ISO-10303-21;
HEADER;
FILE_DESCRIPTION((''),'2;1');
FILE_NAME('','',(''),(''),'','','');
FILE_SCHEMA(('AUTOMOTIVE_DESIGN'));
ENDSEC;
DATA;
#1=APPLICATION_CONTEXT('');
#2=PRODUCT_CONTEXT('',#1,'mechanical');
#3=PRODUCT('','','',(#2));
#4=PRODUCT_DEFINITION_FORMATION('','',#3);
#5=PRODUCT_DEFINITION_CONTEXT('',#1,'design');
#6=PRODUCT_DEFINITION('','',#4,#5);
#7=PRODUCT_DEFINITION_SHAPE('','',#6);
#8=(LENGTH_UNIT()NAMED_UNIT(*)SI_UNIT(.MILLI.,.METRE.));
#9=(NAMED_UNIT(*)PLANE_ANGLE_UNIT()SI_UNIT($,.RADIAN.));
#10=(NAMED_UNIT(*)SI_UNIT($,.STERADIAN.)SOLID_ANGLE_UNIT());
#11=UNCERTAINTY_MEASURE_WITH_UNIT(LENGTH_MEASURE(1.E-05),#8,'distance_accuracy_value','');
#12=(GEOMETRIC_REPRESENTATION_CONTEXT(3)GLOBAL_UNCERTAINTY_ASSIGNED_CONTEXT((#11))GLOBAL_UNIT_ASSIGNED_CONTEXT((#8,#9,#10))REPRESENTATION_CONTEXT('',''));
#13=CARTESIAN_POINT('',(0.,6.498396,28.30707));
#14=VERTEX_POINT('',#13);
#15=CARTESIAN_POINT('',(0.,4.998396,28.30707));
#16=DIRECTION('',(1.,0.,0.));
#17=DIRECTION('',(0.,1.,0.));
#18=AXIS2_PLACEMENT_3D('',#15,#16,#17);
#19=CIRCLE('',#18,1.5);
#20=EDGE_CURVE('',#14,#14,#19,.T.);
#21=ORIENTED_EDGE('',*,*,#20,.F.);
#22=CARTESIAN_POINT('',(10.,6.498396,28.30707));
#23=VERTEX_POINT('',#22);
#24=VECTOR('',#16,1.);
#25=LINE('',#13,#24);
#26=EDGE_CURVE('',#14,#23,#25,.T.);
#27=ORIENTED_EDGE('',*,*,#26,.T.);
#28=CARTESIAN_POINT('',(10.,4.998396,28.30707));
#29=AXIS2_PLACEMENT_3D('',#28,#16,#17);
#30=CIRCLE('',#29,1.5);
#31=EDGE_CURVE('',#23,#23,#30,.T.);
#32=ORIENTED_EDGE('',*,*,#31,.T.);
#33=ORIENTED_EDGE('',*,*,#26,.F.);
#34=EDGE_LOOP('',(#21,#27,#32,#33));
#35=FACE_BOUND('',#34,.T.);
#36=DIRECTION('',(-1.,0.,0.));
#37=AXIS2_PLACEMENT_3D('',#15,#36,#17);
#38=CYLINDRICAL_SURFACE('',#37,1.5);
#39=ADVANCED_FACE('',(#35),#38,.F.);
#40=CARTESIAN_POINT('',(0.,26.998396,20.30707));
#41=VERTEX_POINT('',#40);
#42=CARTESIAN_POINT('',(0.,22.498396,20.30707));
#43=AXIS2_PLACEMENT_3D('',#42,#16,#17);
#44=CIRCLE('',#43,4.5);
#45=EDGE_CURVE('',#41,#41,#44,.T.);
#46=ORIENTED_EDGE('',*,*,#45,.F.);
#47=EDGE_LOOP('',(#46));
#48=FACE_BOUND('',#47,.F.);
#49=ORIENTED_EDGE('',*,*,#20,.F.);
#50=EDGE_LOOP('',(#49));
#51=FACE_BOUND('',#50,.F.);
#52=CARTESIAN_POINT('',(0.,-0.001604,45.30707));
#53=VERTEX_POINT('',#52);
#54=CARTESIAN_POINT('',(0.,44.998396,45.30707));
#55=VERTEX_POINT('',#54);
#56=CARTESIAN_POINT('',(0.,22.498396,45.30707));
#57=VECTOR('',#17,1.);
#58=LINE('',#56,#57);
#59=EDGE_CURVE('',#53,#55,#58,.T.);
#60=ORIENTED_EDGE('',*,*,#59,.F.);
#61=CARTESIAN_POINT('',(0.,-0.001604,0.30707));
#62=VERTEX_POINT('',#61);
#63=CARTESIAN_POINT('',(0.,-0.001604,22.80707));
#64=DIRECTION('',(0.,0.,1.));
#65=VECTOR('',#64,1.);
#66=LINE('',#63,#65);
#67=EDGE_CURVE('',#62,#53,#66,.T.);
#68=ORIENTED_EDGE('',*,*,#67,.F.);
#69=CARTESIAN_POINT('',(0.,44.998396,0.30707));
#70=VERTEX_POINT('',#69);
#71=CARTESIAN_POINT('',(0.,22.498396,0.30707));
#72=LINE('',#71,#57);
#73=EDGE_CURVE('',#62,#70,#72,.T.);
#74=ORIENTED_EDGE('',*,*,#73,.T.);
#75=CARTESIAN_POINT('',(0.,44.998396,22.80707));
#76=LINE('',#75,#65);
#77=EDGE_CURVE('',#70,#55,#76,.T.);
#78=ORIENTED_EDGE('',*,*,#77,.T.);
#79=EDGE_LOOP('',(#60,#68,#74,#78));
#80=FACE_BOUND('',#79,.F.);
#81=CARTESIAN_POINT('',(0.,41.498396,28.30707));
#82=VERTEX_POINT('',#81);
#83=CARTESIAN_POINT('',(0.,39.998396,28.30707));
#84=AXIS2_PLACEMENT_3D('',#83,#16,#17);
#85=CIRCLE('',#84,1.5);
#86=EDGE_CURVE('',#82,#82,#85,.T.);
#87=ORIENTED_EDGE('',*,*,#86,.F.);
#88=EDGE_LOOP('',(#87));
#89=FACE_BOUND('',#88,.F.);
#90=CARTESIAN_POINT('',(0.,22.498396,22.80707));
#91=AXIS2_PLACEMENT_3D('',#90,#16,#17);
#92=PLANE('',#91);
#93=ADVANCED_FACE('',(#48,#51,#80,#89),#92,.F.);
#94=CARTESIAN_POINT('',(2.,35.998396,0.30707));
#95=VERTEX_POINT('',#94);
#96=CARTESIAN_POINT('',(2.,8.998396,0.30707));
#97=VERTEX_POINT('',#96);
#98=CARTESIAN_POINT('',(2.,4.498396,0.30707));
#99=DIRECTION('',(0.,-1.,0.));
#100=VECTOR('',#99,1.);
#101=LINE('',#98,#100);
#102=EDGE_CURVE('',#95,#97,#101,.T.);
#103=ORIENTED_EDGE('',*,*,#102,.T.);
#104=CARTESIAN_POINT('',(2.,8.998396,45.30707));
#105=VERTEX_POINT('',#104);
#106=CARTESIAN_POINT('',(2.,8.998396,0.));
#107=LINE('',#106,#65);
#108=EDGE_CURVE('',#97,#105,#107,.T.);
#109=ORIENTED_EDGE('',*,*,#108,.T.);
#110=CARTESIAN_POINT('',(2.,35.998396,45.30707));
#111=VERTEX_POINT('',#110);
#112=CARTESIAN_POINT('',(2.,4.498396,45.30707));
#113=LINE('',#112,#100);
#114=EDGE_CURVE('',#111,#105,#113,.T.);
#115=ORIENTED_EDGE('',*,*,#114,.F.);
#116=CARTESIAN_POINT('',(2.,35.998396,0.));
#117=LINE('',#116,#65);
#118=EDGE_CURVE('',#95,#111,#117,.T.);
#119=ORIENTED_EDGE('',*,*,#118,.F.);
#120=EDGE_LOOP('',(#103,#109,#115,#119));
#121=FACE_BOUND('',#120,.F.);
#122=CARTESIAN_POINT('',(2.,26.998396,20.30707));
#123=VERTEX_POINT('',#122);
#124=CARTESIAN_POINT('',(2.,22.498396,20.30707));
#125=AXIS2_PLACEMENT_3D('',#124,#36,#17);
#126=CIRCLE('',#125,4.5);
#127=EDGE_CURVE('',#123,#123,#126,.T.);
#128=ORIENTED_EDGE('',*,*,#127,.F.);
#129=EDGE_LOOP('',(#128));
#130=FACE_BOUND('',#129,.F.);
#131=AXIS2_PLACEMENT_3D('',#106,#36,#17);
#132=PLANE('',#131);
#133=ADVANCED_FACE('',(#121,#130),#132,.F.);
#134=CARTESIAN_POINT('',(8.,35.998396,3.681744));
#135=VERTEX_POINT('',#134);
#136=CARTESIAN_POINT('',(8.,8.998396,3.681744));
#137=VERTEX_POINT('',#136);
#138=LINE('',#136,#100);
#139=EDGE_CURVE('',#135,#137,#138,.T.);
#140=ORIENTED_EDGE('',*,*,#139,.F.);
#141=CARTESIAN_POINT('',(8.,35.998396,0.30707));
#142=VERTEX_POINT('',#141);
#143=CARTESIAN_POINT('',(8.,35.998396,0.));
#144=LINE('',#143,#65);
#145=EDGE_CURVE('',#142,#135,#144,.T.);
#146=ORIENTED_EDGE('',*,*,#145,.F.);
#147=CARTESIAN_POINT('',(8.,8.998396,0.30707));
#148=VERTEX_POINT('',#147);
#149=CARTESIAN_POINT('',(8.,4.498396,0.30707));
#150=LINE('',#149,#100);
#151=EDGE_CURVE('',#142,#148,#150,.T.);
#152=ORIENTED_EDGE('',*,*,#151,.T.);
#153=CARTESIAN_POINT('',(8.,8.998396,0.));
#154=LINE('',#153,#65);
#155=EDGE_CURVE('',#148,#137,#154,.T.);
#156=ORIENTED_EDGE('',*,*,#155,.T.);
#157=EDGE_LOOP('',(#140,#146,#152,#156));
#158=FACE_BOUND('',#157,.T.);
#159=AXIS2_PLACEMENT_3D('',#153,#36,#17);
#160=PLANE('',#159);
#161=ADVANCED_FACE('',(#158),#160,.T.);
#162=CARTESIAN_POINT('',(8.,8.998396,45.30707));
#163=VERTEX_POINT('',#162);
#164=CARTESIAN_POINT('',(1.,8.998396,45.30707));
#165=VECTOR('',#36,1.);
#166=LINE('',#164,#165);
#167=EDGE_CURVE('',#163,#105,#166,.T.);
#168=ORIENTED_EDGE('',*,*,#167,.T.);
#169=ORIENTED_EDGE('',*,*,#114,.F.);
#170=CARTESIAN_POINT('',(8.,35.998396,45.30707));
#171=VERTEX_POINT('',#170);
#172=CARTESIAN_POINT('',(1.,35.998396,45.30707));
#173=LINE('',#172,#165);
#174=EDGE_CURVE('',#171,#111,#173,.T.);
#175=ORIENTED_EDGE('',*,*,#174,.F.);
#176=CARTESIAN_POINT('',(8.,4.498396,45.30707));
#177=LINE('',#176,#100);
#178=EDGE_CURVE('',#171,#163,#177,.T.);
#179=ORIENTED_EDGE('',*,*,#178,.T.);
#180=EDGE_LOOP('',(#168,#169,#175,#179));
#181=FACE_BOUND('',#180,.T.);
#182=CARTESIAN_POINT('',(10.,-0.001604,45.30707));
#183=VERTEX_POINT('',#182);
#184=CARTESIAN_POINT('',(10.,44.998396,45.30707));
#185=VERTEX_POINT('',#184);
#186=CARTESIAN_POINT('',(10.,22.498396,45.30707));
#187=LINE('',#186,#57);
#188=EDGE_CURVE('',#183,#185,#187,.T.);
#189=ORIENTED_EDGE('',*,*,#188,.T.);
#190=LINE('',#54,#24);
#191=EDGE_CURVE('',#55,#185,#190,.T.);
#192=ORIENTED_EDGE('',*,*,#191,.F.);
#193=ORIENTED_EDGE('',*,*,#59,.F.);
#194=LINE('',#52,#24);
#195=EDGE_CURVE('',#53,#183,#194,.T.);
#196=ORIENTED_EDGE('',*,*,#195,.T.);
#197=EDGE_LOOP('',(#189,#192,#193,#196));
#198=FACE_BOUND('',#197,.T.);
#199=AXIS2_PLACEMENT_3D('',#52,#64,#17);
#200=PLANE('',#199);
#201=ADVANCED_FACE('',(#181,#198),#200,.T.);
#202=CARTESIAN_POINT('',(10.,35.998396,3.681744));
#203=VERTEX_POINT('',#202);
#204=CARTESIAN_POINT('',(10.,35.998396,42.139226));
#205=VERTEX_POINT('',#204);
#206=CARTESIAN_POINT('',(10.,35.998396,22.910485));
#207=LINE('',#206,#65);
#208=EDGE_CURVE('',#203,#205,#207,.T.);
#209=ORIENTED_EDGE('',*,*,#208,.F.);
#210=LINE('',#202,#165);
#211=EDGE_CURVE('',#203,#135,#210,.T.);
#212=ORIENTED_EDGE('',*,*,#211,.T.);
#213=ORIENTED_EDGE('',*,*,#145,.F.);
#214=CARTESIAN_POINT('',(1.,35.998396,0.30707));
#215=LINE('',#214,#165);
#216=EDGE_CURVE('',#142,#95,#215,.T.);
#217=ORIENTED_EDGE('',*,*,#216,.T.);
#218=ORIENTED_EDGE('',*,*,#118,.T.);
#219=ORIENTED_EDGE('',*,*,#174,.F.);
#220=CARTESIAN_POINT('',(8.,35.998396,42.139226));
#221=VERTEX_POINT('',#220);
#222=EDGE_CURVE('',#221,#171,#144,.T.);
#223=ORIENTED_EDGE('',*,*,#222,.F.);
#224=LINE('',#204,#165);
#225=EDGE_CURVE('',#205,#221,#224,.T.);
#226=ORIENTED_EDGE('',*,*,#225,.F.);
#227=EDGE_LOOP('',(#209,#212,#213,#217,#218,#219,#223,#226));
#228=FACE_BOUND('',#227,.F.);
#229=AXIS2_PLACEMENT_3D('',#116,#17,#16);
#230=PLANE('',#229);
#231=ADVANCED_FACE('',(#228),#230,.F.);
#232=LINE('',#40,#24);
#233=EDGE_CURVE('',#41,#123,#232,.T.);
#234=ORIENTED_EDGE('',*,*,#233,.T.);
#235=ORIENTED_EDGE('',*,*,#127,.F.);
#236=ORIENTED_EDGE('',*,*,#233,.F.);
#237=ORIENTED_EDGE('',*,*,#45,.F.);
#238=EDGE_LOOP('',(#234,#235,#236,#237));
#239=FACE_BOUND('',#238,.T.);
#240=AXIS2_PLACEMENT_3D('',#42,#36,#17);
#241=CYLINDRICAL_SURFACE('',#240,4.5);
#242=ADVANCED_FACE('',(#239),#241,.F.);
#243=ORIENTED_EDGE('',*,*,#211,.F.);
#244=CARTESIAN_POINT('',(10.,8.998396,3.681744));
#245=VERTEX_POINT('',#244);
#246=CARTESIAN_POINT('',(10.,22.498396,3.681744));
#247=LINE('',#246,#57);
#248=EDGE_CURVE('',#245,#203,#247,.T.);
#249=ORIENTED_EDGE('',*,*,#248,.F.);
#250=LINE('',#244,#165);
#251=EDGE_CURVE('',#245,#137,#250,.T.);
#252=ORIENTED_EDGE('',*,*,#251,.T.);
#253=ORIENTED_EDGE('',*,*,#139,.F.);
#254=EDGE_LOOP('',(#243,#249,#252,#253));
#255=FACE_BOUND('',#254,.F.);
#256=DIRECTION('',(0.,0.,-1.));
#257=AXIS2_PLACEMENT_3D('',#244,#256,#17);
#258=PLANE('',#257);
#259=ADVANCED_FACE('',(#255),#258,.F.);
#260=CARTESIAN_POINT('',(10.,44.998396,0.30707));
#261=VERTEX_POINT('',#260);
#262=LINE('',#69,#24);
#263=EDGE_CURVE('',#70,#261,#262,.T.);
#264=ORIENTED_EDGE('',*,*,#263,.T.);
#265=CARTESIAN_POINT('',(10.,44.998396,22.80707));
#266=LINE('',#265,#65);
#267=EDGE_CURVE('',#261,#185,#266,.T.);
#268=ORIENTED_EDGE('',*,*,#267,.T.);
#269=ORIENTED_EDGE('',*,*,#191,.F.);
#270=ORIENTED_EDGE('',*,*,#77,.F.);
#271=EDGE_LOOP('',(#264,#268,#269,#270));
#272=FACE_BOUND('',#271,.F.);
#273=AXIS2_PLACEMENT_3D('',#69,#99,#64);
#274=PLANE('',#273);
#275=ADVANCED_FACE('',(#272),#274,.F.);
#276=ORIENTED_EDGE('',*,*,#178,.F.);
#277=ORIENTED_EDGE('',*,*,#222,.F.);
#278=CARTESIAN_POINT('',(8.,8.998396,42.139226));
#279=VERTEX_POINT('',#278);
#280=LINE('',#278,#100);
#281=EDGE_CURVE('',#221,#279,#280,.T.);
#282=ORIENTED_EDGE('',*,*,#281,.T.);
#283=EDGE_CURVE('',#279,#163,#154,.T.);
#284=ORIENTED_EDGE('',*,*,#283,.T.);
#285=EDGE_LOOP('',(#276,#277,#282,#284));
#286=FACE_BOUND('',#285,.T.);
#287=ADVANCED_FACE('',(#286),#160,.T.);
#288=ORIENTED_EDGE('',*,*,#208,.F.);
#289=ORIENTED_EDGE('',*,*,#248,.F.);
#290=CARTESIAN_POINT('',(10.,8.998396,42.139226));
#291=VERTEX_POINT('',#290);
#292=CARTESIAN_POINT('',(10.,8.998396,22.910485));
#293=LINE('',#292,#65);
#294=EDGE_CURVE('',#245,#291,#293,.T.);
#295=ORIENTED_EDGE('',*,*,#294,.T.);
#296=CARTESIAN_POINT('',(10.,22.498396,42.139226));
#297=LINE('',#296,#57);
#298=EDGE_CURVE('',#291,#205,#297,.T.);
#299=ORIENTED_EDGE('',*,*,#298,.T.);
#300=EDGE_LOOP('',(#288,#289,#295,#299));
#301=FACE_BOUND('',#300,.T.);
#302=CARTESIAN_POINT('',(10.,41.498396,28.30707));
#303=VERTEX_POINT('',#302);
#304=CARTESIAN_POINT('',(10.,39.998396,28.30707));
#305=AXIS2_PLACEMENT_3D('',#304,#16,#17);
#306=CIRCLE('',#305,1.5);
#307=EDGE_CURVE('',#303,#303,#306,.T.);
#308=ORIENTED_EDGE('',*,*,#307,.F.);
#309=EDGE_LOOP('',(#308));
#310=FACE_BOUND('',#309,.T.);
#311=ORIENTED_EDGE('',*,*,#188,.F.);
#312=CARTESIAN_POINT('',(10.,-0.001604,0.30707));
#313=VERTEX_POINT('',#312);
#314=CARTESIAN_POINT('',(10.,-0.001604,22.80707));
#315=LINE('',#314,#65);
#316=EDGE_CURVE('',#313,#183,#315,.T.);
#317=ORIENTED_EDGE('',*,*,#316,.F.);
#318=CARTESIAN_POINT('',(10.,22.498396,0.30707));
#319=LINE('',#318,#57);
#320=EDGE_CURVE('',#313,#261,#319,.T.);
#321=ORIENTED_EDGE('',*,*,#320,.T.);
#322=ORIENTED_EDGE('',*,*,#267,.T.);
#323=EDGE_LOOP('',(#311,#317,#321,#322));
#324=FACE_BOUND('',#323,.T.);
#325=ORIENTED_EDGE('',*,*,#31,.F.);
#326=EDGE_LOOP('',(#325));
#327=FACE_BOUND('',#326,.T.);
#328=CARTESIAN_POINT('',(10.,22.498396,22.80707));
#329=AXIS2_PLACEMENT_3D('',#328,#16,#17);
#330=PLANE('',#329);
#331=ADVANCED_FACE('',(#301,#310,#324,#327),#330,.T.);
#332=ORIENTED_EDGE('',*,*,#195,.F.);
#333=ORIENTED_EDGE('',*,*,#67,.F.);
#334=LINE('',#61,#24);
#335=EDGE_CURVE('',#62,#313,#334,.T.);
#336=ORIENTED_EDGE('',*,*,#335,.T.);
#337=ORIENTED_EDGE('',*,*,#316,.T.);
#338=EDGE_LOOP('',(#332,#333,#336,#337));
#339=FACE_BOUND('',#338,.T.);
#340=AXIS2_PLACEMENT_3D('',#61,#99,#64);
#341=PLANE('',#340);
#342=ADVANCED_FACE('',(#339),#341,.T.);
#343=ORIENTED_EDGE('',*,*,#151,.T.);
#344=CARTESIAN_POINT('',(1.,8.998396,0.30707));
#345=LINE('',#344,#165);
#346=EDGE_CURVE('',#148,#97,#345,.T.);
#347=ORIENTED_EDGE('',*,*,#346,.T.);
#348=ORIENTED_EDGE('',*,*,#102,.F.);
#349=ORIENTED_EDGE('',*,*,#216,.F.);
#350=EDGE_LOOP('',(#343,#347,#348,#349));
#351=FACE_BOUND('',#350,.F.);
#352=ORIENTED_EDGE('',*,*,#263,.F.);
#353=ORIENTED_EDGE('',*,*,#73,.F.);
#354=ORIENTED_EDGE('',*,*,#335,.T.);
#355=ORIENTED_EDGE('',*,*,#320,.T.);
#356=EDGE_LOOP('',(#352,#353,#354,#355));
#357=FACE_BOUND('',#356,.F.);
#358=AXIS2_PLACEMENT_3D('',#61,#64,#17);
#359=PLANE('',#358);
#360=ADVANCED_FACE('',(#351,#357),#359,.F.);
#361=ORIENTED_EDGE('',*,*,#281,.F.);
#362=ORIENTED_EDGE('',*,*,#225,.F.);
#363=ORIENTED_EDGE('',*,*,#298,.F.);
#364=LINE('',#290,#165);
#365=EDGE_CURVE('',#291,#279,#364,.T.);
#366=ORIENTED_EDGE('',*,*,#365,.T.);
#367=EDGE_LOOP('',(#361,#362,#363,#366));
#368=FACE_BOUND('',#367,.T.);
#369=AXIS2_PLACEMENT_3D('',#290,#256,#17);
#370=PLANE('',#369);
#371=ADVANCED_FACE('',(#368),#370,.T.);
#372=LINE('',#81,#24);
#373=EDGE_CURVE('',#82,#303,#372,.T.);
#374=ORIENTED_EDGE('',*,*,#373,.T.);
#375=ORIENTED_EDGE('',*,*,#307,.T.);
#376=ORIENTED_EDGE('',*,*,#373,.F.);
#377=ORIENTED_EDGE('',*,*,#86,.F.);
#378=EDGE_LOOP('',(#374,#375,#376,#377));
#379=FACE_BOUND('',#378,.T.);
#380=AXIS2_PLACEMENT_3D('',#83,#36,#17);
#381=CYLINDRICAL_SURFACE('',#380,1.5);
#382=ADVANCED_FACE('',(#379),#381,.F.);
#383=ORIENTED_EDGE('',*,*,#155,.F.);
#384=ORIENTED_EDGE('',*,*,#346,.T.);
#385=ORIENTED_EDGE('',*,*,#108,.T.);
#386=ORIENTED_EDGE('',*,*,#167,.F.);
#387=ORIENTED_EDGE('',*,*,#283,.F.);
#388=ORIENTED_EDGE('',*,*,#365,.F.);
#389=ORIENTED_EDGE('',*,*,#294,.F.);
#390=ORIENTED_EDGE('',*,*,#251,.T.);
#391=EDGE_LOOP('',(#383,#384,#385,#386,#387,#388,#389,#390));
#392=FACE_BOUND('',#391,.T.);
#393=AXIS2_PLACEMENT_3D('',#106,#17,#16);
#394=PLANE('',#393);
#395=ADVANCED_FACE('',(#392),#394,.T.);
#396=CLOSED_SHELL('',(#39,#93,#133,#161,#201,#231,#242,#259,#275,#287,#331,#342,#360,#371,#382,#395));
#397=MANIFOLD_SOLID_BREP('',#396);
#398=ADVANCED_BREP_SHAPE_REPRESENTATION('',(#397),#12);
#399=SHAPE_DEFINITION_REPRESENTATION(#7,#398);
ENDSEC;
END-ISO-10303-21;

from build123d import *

# Parameters (mm, degrees)
F0_W     = 45
F0_H     = 45
F1_DEPTH = 10
F2_W     = 6
F2_H     = 27
F3_DEPTH = 4510
F4_R     = 4.5
F4_R_2   = 1.5
F5_DEPTH = 10
F6_W     = 27
F6_H     = 38.457482
F7_DEPTH = 5


with BuildPart() as f1:
    # F0 (on Right) → F1 (new body)
    with BuildSketch(Plane.YZ):
        with Locations((22.498396, 22.80707)):
            Rectangle(F0_W, F0_H)
    extrude(amount=F1_DEPTH)

    # F2 (on Top) → F3 (cut)
    with BuildSketch(Plane.XY):
        with Locations((5, 22.498396)):
            Rectangle(F2_W, F2_H)
    extrude(amount=F3_DEPTH, mode=Mode.SUBTRACT)

    # F4 (on Right) → F5 (cut)
    with BuildSketch(Plane.YZ):
        with Locations((22.498396, 20.30707)):
            Circle(F4_R)
        with Locations((4.998396, 28.30707)):
            Circle(F4_R_2)
        with Locations((39.998396, 28.30707)):
            Circle(F4_R_2)
    extrude(amount=F5_DEPTH, mode=Mode.SUBTRACT)

    # F6 (on face) → F7 (cut)
    with BuildSketch(Plane.YZ.offset(10)):
        with Locations((22.498396, 22.910485)):
            Rectangle(F6_W, F6_H)
    extrude(amount=-F7_DEPTH, mode=Mode.SUBTRACT)


solid = f1.part
